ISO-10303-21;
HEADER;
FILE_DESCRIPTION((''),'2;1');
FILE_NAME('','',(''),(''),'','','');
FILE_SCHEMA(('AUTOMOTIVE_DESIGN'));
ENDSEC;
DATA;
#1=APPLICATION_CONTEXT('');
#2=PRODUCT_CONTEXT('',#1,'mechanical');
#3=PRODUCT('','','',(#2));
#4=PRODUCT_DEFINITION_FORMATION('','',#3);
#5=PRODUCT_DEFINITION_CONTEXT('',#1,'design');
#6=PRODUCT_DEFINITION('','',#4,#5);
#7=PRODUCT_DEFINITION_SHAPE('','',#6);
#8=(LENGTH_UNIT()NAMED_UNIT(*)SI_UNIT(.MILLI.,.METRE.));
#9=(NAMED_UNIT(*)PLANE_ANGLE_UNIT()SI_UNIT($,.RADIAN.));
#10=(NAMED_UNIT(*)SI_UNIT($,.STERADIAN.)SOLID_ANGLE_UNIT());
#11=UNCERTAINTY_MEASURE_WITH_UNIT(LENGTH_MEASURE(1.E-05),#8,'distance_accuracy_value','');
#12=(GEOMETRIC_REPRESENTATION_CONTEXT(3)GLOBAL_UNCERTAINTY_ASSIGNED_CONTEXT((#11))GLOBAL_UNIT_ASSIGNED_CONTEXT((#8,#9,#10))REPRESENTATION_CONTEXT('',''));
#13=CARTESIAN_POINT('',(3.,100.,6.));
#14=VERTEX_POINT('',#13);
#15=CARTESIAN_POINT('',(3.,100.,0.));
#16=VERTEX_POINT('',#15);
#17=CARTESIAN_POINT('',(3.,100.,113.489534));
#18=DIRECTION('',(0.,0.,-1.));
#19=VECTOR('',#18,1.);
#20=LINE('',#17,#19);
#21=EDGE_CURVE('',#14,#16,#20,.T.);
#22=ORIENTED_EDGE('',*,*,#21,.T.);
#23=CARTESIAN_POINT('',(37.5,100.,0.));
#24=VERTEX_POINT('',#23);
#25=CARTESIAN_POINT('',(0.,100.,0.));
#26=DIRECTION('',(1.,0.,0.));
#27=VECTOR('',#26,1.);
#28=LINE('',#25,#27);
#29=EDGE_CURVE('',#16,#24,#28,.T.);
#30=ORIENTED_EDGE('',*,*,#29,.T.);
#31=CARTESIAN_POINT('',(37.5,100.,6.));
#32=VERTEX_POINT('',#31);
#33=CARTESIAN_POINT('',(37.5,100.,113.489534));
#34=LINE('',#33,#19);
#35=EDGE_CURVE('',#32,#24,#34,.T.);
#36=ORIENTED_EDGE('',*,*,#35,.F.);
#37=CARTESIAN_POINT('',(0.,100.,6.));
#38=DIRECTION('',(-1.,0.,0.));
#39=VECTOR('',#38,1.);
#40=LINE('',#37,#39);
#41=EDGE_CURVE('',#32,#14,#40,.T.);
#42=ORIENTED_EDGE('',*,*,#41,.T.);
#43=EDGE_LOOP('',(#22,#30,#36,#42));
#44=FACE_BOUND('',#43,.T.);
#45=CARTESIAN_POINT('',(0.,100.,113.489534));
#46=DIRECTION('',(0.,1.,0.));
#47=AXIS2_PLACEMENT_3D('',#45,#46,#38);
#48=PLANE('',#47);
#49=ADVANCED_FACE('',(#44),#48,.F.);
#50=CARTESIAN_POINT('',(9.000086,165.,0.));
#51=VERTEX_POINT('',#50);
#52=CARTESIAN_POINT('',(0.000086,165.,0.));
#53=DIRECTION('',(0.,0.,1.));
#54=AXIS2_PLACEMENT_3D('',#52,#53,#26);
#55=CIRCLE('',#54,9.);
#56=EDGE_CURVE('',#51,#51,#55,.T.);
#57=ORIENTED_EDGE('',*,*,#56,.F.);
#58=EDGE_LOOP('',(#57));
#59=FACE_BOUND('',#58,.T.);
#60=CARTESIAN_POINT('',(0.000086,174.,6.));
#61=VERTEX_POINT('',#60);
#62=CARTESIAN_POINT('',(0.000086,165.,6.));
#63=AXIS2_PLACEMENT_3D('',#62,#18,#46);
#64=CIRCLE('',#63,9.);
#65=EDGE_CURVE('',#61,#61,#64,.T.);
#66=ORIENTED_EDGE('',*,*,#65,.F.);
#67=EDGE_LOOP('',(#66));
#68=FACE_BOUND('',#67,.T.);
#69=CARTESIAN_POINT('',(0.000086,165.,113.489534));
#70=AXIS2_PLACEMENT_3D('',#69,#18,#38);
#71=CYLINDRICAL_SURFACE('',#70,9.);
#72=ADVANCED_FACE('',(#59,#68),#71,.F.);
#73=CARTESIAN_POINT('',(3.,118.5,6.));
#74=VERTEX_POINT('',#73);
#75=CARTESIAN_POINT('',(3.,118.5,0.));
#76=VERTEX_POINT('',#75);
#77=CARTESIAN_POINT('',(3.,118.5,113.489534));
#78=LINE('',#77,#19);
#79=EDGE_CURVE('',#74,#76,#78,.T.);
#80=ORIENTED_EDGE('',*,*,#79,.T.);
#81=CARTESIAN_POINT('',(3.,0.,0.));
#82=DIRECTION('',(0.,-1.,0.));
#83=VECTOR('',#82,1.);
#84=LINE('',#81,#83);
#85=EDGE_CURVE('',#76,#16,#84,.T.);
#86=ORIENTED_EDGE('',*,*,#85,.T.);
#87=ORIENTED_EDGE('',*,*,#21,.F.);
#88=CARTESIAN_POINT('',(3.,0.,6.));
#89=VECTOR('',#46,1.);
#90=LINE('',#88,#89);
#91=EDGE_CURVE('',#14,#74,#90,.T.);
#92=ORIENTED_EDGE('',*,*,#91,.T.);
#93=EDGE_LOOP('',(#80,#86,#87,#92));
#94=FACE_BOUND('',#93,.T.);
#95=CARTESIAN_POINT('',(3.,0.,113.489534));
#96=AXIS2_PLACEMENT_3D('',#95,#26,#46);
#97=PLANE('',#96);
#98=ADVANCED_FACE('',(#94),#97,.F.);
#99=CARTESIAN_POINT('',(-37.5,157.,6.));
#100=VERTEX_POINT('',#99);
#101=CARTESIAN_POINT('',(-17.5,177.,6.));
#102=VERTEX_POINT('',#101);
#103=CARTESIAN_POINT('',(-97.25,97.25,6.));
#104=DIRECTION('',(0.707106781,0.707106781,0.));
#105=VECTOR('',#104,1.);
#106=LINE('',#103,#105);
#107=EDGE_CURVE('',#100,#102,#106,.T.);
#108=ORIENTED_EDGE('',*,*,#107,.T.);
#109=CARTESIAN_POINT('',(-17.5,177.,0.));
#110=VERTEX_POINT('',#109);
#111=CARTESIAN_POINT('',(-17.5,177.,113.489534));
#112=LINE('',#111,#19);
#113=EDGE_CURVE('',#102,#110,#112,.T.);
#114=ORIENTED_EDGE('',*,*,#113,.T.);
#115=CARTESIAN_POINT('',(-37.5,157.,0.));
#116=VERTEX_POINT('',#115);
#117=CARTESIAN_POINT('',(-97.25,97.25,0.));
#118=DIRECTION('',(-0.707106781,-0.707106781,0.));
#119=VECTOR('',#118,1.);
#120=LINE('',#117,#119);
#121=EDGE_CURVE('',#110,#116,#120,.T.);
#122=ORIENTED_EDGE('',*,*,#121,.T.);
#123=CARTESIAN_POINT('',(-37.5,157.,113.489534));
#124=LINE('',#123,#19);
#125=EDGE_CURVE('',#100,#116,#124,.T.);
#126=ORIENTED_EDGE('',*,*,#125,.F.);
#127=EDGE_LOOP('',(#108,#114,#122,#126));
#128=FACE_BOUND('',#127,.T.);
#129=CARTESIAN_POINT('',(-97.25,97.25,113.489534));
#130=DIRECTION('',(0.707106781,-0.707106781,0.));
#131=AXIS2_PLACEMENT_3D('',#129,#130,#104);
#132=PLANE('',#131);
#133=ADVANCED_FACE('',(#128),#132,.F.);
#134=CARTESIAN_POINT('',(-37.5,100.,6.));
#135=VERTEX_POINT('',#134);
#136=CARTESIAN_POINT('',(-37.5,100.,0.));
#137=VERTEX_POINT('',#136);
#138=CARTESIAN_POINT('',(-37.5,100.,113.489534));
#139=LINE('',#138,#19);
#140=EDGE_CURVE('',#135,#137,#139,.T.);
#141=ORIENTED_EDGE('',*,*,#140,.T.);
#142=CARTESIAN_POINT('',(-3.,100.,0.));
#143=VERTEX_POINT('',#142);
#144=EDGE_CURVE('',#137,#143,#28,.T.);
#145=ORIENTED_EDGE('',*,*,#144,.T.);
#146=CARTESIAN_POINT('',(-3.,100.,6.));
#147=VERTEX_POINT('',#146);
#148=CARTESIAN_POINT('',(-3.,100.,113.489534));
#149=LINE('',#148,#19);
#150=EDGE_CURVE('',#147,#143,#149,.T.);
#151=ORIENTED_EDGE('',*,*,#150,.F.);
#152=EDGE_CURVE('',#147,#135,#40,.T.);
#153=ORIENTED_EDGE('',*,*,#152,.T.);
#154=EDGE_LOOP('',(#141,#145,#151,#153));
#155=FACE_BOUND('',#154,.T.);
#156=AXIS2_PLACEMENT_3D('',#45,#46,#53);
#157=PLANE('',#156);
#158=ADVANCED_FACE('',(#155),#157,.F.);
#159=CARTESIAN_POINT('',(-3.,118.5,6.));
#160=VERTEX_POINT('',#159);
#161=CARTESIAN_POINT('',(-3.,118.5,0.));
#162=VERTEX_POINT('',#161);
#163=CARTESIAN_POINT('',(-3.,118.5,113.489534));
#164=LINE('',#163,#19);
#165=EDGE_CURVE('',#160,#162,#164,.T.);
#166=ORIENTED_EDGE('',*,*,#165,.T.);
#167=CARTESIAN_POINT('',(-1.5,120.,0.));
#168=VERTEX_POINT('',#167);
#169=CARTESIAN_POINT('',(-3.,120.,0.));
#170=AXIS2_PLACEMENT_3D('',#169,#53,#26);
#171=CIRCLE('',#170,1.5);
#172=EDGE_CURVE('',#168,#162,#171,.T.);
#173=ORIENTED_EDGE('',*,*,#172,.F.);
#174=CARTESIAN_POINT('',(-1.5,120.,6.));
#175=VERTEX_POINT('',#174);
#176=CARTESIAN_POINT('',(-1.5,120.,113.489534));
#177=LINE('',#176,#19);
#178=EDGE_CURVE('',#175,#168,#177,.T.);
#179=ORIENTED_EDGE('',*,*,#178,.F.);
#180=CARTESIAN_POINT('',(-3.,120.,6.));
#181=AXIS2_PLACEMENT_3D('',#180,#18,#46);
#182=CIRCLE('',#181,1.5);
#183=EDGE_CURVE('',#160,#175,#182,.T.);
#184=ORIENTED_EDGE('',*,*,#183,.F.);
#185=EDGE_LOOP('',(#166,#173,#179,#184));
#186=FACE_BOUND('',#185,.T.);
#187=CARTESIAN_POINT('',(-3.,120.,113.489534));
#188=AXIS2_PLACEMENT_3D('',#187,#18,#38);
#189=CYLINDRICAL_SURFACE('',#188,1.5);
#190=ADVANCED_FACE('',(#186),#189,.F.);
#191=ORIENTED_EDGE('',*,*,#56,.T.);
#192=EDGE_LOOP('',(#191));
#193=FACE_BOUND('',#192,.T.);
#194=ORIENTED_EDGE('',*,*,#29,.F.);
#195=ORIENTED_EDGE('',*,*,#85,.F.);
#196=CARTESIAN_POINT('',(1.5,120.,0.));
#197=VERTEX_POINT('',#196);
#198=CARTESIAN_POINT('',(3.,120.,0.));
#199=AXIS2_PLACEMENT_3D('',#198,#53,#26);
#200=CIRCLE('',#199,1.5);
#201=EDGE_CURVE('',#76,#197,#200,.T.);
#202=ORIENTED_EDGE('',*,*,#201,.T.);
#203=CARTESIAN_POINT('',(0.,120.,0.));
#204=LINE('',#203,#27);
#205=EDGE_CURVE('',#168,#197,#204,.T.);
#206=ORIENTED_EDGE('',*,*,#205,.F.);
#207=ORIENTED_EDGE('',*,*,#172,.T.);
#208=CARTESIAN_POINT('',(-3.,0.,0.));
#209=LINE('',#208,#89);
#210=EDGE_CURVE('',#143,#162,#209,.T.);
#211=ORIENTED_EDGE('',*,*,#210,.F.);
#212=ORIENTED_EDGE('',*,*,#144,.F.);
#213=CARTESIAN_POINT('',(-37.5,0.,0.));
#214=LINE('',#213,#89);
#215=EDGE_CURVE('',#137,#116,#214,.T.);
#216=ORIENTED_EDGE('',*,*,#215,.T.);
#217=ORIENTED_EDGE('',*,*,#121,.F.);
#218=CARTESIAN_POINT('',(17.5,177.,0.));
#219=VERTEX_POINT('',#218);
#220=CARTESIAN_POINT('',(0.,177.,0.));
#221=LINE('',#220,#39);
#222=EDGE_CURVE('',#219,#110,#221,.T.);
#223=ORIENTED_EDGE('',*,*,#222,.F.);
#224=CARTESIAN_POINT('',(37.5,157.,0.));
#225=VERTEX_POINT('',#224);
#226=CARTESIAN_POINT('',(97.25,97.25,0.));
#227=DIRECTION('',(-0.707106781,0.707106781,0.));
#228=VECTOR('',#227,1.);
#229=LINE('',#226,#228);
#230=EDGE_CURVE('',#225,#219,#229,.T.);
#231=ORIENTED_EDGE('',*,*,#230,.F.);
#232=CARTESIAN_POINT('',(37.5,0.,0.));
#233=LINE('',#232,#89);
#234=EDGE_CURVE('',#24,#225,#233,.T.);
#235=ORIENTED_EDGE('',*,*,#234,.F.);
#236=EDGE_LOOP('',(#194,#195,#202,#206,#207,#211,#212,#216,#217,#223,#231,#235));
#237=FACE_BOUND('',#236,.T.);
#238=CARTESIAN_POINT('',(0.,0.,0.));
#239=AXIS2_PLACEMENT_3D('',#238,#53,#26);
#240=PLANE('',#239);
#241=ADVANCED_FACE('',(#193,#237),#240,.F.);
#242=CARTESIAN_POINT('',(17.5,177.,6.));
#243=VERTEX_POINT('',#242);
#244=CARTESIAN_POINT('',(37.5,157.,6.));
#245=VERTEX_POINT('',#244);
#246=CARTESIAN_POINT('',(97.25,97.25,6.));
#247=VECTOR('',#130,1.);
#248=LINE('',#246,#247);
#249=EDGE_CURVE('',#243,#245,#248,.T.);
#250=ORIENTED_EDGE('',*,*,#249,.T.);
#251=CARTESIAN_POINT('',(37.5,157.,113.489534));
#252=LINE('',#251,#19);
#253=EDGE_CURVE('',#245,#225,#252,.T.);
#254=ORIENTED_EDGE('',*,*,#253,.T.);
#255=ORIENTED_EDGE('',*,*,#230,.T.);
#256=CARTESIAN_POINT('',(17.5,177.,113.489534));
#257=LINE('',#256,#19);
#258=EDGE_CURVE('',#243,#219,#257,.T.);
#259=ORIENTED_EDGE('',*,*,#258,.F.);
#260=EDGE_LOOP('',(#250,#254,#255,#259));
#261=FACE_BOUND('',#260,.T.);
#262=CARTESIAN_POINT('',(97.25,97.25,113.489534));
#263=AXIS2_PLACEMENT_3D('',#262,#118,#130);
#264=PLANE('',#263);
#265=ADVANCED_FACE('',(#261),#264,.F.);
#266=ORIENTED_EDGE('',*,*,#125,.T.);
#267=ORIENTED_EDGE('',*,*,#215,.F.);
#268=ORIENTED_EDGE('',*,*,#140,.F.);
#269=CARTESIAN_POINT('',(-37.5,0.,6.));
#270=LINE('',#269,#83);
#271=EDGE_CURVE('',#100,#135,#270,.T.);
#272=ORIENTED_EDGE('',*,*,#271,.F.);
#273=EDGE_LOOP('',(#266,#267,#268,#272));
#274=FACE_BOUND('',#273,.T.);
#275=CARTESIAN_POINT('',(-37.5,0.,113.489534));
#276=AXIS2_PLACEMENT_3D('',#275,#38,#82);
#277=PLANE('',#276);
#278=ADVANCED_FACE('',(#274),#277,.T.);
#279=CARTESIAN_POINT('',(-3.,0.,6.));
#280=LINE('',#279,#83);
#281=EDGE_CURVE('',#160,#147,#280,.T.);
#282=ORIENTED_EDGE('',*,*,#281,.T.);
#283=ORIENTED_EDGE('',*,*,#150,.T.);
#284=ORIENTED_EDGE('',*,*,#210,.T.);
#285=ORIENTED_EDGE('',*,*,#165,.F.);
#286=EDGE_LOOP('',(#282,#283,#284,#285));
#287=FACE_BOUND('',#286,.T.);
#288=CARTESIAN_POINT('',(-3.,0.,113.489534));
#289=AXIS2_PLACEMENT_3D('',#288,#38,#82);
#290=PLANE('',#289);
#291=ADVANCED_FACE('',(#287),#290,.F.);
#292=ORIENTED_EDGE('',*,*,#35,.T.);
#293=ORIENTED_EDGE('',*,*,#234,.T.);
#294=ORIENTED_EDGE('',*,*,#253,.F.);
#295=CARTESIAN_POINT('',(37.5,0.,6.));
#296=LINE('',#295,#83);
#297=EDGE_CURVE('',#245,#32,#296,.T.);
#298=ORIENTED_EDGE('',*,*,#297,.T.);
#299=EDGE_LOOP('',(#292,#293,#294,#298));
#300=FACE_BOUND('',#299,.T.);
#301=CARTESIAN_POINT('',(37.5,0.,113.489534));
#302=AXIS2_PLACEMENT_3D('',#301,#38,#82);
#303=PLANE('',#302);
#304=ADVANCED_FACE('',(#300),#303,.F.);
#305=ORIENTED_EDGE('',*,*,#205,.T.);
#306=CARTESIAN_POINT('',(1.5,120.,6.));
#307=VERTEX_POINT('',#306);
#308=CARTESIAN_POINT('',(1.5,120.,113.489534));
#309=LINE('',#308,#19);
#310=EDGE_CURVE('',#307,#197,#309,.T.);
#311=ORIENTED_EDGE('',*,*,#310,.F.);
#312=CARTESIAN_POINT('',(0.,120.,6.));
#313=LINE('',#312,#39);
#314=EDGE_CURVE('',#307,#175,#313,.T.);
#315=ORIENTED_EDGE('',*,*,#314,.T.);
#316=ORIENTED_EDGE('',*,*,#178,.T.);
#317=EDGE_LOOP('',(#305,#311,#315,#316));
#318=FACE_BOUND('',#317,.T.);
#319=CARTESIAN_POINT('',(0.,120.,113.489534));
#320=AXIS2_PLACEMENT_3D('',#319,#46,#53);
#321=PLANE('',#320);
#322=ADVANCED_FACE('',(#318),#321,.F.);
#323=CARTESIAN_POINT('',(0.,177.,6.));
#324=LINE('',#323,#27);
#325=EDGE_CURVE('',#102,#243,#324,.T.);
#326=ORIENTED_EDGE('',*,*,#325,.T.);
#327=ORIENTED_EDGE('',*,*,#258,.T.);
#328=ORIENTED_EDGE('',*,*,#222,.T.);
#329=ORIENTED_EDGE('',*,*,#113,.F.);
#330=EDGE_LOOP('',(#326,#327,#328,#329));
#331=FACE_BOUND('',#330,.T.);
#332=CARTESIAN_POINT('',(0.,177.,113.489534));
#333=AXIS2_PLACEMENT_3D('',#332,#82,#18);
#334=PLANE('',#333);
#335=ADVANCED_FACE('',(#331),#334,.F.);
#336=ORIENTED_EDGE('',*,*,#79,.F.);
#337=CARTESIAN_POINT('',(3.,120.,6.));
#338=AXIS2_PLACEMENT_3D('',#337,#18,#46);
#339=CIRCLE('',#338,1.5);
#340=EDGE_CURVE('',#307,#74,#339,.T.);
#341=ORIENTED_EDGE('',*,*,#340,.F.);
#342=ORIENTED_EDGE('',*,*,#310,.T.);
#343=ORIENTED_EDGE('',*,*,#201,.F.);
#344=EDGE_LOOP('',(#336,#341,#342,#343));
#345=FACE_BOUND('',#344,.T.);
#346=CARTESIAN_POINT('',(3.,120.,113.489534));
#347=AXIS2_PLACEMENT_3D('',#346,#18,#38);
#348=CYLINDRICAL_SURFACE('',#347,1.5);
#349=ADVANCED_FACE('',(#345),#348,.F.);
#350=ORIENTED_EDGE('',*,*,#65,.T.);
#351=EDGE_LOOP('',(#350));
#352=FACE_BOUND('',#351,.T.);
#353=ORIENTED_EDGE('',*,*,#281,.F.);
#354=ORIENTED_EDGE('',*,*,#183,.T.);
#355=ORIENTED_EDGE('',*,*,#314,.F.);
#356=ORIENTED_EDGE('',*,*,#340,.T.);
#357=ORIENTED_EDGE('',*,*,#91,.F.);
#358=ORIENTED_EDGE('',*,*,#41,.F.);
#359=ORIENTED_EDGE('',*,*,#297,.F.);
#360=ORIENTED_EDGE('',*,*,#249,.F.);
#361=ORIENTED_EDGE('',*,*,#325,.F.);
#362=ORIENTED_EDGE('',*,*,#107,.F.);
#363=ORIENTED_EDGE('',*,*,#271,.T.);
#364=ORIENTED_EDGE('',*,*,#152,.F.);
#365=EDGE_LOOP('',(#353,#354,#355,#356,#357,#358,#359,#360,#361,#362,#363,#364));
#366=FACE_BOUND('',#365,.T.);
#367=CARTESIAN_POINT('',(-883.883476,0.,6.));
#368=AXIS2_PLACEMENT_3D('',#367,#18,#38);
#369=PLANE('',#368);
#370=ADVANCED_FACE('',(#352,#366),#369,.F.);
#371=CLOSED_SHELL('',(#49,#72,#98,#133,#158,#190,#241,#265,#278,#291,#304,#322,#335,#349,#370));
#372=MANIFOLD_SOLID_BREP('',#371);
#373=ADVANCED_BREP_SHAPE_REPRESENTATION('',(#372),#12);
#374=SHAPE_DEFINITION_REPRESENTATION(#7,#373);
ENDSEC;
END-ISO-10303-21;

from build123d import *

# Parameters (mm, degrees)
SKETCH1_R           = 9
BOSS_EXTRUDE1_DEPTH = 6


with BuildPart() as part:
    # Sketch1 → Boss-Extrude1 (new body)
    with BuildSketch(Plane.XY):
        with BuildLine():
            Line((3, 100), (37.5, 100))
            Line((37.5, 100), (37.5, 157))
            Line((37.5, 157), (17.5, 177))
            Line((17.5, 177), (-17.5, 177))
            Line((-17.5, 177), (-37.5, 157))
            Line((-37.5, 157), (-37.5, 100))
            Line((-37.5, 100), (-3, 100))
            Line((-3, 100), (-3, 118.5))
            ThreePointArc((-3, 118.5), (-4.060660172, 121.060660172), (-1.5, 120))
            Line((-1.5, 120), (1.5, 120))
            ThreePointArc((1.5, 120), (3, 121.5), (4.5, 120))
            ThreePointArc((4.5, 120), (4.060660172, 118.939339828), (3, 118.5))
            Line((3, 118.5), (3, 100))
        make_face()
        with Locations((8.6489e-05, 165)):
            Circle(SKETCH1_R, mode=Mode.SUBTRACT)
    extrude(amount=BOSS_EXTRUDE1_DEPTH)


solid = part.part
